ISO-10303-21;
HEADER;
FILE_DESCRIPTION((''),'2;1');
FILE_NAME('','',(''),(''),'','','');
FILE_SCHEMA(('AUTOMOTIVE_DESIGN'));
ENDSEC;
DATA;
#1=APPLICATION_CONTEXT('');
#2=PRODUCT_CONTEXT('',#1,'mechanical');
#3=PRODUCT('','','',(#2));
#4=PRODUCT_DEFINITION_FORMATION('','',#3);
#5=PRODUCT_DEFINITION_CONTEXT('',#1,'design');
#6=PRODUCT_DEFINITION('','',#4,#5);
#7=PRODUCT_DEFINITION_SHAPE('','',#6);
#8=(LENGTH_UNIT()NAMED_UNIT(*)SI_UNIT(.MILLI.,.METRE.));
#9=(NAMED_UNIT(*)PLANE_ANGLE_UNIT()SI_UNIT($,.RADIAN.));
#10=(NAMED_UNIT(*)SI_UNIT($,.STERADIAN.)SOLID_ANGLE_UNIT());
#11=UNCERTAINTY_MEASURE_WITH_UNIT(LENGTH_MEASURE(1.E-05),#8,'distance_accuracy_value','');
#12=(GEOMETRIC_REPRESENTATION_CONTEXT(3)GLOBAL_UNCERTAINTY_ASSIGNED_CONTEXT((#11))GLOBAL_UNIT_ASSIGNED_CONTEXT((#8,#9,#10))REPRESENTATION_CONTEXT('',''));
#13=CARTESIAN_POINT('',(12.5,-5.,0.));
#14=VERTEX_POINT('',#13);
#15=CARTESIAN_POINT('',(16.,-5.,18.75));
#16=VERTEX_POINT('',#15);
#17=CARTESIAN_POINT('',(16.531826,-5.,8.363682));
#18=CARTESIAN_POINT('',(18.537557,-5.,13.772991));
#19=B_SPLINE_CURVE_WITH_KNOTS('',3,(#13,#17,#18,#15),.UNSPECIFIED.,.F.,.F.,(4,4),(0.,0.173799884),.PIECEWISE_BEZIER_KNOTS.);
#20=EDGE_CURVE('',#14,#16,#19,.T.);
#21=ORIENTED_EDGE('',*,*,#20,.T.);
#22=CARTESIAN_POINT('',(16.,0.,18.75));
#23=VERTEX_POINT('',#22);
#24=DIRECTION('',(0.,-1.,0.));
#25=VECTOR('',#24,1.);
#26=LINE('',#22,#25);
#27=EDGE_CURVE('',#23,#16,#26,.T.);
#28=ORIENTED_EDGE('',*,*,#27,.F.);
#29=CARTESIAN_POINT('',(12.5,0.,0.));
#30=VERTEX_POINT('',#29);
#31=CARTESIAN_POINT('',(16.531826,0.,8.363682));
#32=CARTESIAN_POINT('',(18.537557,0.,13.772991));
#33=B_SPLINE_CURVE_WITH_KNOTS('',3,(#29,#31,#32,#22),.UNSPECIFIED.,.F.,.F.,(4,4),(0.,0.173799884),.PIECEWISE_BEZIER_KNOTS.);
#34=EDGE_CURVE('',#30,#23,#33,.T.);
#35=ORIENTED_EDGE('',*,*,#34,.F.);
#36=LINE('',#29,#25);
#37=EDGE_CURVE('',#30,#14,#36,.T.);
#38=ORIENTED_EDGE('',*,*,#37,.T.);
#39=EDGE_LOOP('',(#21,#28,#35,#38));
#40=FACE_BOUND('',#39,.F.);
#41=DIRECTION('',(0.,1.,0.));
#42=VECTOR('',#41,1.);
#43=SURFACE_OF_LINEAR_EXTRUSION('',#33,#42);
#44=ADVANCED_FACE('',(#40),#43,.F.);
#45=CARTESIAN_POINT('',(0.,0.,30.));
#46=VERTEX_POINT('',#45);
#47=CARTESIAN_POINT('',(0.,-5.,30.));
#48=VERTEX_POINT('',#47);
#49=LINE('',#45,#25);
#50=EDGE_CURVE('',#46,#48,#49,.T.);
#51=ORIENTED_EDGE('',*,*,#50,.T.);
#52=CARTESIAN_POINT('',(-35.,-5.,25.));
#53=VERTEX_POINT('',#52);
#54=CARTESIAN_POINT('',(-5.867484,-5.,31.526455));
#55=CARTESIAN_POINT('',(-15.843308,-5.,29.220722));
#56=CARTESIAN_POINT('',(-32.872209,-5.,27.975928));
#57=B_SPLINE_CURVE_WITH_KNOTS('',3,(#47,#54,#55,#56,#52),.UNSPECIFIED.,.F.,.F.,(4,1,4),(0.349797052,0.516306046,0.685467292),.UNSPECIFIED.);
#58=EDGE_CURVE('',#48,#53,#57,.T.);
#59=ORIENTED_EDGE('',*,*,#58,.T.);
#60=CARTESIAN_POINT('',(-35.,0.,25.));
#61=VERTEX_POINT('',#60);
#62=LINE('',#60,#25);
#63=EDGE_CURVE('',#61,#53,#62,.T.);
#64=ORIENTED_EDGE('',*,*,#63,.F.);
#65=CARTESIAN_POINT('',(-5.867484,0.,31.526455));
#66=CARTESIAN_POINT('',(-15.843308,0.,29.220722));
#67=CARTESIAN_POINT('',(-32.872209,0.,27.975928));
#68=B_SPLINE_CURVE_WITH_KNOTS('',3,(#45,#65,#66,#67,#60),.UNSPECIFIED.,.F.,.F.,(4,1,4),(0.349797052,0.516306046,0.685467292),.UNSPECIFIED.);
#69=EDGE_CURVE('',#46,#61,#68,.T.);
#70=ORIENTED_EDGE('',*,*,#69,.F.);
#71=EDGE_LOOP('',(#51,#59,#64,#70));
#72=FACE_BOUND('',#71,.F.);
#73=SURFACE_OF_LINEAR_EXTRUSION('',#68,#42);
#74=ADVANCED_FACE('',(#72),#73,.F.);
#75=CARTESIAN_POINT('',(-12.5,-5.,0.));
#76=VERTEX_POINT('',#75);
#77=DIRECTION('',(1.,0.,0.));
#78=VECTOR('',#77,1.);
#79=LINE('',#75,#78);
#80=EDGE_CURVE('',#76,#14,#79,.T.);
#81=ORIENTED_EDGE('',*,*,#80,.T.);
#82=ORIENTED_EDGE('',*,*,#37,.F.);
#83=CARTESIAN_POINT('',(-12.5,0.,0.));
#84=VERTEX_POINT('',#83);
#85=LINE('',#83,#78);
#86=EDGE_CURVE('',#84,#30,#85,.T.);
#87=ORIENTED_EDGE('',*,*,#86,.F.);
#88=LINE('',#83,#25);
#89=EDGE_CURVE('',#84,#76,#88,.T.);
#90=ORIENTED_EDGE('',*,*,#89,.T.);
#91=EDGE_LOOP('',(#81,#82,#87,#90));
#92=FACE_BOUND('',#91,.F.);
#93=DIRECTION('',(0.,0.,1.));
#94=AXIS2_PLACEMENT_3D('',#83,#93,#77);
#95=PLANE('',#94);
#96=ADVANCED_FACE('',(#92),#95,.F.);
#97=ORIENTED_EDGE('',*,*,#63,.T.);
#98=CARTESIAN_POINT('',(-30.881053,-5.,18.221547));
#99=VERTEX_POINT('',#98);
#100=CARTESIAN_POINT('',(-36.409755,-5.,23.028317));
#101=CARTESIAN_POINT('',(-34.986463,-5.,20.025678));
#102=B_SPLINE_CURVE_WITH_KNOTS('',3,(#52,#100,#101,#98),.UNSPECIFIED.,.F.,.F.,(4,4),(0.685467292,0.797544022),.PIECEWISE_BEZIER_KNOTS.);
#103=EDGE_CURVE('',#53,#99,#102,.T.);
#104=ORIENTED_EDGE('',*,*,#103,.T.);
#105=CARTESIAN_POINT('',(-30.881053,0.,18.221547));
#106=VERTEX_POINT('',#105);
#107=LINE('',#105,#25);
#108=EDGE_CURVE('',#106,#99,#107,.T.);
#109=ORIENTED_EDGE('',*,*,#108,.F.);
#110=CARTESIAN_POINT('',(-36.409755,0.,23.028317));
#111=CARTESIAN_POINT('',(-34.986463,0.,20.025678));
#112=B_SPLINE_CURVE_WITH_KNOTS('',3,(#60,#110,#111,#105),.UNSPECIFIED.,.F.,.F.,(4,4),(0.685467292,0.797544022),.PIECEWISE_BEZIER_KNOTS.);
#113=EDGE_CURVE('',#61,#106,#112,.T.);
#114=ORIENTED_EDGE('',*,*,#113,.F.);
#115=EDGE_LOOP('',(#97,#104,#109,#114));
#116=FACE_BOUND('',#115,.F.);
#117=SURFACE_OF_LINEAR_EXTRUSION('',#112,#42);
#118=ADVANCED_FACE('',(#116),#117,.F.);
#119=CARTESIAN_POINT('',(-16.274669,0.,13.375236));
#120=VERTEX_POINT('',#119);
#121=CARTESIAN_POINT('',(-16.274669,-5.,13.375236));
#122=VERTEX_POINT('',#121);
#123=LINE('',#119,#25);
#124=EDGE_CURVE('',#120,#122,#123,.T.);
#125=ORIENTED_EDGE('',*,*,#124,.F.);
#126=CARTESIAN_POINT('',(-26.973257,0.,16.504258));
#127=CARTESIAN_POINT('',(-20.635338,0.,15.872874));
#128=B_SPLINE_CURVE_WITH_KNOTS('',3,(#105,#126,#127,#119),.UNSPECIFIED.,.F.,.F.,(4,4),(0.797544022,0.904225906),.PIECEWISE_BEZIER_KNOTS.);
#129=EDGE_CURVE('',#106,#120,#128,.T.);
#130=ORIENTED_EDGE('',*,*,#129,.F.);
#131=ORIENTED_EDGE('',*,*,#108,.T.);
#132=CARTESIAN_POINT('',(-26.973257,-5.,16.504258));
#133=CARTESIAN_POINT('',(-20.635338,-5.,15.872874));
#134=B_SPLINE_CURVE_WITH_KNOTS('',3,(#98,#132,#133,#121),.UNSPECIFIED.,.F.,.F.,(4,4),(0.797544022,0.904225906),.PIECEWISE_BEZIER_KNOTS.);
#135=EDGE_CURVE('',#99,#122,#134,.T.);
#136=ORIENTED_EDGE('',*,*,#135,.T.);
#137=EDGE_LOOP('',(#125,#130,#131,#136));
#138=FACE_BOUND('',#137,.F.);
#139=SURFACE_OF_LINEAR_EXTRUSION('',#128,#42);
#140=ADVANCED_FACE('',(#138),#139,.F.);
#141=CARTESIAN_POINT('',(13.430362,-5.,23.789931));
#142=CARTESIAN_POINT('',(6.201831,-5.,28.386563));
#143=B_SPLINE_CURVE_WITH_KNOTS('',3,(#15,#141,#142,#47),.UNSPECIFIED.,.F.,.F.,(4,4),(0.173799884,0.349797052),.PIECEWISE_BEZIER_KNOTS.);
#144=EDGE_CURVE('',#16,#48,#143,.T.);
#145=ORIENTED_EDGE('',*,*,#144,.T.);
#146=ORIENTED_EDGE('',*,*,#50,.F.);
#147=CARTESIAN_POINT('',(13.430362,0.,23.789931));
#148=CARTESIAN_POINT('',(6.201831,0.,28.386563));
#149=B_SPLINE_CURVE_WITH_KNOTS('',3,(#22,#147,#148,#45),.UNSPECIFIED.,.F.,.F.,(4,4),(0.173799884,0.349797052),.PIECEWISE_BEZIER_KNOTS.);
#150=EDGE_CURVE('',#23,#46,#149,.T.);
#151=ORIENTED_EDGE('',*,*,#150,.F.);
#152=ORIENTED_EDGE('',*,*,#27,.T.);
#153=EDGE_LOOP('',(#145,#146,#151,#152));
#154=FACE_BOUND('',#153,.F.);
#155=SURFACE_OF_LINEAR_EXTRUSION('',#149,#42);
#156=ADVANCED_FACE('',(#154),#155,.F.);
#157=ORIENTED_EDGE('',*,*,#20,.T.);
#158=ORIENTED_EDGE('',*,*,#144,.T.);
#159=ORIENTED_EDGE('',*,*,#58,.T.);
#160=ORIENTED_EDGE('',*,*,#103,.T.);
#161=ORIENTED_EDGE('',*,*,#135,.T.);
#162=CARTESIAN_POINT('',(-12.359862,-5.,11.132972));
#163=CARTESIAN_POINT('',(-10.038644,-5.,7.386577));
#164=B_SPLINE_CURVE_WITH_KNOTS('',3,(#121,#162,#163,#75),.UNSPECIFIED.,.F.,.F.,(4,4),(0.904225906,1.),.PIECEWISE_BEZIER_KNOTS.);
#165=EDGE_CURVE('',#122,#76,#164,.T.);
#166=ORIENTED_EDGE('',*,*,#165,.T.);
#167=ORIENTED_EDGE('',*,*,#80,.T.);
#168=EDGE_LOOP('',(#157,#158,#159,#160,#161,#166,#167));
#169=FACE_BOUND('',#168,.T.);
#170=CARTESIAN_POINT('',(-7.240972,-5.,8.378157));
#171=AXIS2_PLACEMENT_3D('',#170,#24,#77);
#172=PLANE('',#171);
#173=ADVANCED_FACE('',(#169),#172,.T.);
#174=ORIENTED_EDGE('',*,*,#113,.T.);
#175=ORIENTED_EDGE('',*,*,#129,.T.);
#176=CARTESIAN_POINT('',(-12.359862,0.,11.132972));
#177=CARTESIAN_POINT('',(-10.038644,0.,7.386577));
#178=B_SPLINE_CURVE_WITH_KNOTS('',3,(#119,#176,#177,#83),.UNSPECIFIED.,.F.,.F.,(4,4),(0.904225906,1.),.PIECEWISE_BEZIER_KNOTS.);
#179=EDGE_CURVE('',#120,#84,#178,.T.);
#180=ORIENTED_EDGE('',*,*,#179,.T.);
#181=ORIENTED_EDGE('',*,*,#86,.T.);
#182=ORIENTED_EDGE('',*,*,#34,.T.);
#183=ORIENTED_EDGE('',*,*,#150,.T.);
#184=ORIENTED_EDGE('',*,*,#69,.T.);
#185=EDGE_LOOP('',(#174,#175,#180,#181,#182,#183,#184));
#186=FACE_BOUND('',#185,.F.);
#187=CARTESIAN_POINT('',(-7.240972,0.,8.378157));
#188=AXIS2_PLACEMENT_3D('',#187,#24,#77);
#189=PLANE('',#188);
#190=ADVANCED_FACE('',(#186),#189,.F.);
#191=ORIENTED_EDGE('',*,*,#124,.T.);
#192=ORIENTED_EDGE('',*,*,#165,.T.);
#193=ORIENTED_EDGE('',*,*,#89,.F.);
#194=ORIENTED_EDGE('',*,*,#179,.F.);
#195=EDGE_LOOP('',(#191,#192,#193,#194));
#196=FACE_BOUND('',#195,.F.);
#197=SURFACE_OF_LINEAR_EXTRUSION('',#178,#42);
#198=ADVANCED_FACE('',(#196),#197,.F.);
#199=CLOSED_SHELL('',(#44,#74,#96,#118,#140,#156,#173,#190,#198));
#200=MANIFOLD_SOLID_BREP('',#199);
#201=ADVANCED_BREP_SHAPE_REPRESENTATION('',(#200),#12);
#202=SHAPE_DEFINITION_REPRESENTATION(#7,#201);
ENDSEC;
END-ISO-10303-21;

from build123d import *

# Parameters (mm, degrees)
F1_DEPTH = 5


with BuildPart() as f1:
    # F0 (on Front) → F1 (new body)
    with BuildSketch(Plane.XZ):
        with BuildLine():
            add(Edge.make_bspline(
                [(-16.2746694241, 13.3752361256), (-12.3598618618, 11.1329716306), (-10.0386444447, 7.3865768576), (-12.5, 0)],
                knots=[0.904225906, 0.904225906, 0.904225906, 0.904225906, 1, 1, 1, 1], degree=3))
            Line((-12.5, 0), (0, 0))
            Line((0, 0), (0, 12.5))
            Line((0, 12.5), (-8.75, 18.75))
            Line((-8.75, 18.75), (-16.2746694241, 13.3752361256))
        make_face()
        with BuildLine():
            add(Edge.make_bspline(
                [(0, 30), (-5.8674840792, 31.5264546669), (-15.8433075246, 29.2207215847), (-32.8722086235, 27.9759279501), (-35, 25)],
                knots=[0.3497970518, 0.3497970518, 0.3497970518, 0.3497970518, 0.5163060464, 0.6854672924, 0.6854672924, 0.6854672924, 0.6854672924], degree=3))
            Line((-35, 25), (-30.8810526687, 25))
            Line((-30.8810526687, 25), (-17.5, 25))
            Line((-17.5, 25), (0, 25))
            Line((0, 25), (0, 30))
        make_face()
        with BuildLine():
            Line((0, 18.75), (16, 18.75))
            add(Edge.make_bspline(
                [(16, 18.75), (13.4303616154, 23.7899314985), (6.2018305977, 28.3865634518), (0, 30)],
                knots=[0.1737998843, 0.1737998843, 0.1737998843, 0.1737998843, 0.3497970518, 0.3497970518, 0.3497970518, 0.3497970518], degree=3))
            Line((0, 30), (0, 25))
            Line((0, 25), (0, 18.75))
        make_face()
        with BuildLine():
            Line((0, 12.5), (0, 0))
            Line((0, 0), (12.5, 0))
            add(Edge.make_bspline(
                [(12.5, 0), (16.53182565, 8.3636820514), (18.537557056, 13.7729908565), (16, 18.75)],
                knots=[0, 0, 0, 0, 0.1737998843, 0.1737998843, 0.1737998843, 0.1737998843], degree=3))
            Line((16, 18.75), (0, 18.75))
            Line((0, 18.75), (0, 12.5))
        make_face()
        with BuildLine():
            add(Edge.make_bspline(
                [(-35, 25), (-36.4097549138, 23.0283174858), (-34.986463175, 20.0256776894), (-30.8810526687, 18.2215466751)],
                knots=[0.6854672924, 0.6854672924, 0.6854672924, 0.6854672924, 0.7975440215, 0.7975440215, 0.7975440215, 0.7975440215], degree=3))
            Line((-30.8810526687, 18.2215466751), (-35, 25))
        make_face()
        Polygon((-35, 25), (-30.8810526687, 18.2215466751), (-30.8810526687, 25), align=None)
        with BuildLine():
            add(Edge.make_bspline(
                [(-30.8810526687, 18.2215466751), (-26.9732572447, 16.5042580115), (-20.6353376436, 15.8728739705), (-16.2746694241, 13.3752361256)],
                knots=[0.7975440215, 0.7975440215, 0.7975440215, 0.7975440215, 0.904225906, 0.904225906, 0.904225906, 0.904225906], degree=3))
            Line((-16.2746694241, 13.3752361256), (-8.75, 18.75))
            Line((-8.75, 18.75), (-17.5, 25))
            Line((-17.5, 25), (-30.8810526687, 18.2215466751))
        make_face()
        Polygon((-30.8810526687, 25), (-30.8810526687, 18.2215466751), (-17.5, 25), align=None)
        Polygon((-17.5, 25), (-8.75, 18.75), (0, 25), align=None)
        Polygon((-8.75, 18.75), (0, 12.5), (0, 18.75), (0, 25), align=None)
    extrude(amount=F1_DEPTH)


solid = f1.part
